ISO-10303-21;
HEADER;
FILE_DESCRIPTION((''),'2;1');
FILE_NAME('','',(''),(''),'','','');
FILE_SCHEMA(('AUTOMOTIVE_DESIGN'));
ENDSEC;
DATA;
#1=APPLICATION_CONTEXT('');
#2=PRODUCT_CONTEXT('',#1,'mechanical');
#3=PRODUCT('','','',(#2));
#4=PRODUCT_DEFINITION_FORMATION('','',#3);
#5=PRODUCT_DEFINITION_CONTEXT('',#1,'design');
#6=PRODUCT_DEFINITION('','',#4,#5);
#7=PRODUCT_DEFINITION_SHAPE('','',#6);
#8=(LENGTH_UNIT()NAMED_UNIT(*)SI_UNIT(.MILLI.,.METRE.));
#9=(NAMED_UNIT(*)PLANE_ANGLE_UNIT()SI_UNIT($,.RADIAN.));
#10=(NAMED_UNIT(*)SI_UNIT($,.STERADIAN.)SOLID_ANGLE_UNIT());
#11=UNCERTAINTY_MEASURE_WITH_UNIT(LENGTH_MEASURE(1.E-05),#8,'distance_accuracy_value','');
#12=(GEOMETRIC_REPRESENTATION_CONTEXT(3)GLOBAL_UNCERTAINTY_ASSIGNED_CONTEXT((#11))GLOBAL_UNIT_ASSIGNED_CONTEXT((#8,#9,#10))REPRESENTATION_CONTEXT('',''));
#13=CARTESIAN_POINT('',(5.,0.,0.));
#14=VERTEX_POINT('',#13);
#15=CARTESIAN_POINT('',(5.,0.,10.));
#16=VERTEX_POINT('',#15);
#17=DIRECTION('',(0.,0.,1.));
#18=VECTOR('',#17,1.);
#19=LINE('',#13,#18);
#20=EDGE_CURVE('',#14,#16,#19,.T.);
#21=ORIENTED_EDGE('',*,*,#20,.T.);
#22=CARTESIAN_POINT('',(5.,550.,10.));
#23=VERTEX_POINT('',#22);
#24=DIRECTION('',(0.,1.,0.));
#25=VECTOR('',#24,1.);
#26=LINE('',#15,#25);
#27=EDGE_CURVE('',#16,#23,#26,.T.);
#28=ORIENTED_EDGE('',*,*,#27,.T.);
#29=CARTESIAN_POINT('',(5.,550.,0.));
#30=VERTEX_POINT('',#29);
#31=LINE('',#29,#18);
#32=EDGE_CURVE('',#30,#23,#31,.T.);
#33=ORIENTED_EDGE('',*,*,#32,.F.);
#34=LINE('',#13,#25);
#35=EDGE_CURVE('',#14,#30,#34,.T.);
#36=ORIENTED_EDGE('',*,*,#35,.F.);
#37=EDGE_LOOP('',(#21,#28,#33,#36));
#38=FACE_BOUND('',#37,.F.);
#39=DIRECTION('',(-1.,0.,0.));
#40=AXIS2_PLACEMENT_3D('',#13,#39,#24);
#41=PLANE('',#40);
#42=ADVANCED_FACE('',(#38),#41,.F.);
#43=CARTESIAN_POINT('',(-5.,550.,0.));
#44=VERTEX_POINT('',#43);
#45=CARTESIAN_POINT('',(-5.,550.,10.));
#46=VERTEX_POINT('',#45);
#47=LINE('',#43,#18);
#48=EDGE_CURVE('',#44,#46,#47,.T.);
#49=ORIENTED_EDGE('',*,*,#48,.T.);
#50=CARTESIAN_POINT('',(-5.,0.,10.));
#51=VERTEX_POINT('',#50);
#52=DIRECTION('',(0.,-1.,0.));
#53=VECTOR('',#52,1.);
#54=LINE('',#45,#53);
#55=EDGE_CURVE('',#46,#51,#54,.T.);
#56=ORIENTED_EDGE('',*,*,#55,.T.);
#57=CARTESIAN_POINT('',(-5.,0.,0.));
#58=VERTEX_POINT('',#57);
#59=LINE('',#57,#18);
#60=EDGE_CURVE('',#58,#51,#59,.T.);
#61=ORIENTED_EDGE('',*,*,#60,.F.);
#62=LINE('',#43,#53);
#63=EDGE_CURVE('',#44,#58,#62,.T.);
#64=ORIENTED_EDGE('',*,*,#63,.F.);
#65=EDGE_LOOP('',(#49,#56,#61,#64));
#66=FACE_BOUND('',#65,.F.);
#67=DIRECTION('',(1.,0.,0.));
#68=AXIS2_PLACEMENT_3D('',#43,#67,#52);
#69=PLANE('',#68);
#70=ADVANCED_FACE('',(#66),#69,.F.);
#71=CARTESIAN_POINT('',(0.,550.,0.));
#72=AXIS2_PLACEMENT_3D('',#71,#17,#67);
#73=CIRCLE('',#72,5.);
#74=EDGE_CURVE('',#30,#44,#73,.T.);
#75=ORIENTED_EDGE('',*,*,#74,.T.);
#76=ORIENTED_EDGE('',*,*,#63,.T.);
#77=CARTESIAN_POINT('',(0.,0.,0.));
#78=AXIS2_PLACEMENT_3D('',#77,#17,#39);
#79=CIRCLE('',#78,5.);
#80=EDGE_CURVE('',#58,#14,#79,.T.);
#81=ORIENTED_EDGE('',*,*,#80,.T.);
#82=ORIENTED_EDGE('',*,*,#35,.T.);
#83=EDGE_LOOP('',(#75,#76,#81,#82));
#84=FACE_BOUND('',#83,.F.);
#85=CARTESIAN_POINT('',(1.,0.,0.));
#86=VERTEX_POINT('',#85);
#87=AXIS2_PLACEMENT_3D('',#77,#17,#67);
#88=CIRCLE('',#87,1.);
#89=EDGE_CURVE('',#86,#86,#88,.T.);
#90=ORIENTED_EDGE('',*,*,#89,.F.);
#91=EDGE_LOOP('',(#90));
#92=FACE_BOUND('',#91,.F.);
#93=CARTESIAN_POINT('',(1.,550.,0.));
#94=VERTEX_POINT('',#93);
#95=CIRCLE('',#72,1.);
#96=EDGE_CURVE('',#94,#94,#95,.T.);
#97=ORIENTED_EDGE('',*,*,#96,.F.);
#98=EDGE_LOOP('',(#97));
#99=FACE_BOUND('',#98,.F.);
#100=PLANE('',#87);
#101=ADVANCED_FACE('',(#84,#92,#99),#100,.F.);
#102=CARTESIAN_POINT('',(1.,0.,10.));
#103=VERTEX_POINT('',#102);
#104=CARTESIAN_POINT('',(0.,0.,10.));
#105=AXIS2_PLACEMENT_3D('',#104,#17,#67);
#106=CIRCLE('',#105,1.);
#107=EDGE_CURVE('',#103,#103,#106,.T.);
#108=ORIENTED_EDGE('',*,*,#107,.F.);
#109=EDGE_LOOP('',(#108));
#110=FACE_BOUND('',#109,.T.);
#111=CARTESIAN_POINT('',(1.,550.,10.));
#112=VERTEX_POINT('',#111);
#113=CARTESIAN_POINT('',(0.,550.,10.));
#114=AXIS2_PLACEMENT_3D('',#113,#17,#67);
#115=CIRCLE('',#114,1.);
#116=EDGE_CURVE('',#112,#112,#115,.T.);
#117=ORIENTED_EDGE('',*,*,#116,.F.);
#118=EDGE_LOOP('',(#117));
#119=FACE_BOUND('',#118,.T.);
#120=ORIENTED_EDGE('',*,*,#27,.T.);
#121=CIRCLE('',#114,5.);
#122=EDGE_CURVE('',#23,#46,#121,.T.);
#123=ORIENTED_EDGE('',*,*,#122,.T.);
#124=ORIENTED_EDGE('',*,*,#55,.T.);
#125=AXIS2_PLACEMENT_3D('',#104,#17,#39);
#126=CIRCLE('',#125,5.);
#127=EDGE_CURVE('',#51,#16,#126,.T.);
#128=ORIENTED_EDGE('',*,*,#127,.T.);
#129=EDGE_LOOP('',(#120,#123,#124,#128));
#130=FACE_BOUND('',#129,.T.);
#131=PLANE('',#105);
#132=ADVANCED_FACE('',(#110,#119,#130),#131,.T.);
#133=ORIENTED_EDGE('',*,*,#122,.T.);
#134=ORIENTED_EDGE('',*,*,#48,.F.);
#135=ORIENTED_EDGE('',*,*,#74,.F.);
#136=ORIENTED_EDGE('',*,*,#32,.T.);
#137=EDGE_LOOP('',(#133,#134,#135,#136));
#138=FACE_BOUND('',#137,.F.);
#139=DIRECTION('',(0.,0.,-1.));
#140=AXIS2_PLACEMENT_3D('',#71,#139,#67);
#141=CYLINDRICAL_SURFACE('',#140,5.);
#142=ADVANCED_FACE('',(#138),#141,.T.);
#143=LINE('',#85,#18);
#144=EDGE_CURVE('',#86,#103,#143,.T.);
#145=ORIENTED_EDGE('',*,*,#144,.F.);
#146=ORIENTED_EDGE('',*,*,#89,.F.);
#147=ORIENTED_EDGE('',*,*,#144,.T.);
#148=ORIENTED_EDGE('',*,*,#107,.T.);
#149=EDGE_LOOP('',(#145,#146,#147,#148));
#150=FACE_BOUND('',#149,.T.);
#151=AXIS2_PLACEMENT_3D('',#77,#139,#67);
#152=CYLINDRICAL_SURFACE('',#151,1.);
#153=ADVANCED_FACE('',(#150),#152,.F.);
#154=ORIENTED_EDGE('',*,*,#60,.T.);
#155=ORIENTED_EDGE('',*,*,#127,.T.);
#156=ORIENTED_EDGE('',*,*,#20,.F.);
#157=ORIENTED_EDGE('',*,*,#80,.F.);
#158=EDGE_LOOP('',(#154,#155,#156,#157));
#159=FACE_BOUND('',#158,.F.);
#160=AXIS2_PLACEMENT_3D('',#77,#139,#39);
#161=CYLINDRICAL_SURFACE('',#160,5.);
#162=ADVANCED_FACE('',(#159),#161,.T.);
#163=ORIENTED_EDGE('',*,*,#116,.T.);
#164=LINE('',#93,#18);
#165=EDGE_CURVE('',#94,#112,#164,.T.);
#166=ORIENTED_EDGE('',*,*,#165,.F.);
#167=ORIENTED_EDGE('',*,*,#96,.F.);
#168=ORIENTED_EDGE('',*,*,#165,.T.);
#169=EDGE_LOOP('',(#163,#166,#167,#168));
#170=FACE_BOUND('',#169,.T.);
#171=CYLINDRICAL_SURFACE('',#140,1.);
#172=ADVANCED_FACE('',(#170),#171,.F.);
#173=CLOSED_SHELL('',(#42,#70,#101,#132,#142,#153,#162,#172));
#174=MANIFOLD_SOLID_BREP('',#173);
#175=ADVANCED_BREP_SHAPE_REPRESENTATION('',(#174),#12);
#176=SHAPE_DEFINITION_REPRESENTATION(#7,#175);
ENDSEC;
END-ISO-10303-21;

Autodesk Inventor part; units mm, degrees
ref_plane "YZ Plane" through (0, 0, 0) normal (1, 0, 0) x (0, 1, 0)
ref_plane "XZ Plane" through (0, 0, 0) normal (0, 1, 0) x (-1, 0, 0)
ref_plane "XY Plane" through (0, 0, 0) normal (0, 0, 1) x (1, 0, 0)
sketch "Sketch1" plane through (0, 0, 0) normal (0, 0, 1) x (1, 0, 0)
  line L0 (0, 0) -> (0, 550) construction
  line L1 (5, 0) -> (5, 550)
  line L2 (-5, 550) -> (-5, 0)
  arc A0 (-5, 0) -> (5, 0) centre (0, 0) ccw
  arc A1 (5, 550) -> (-5, 550) centre (0, 550) ccw
  circle A2 centre (0, 0) radius 1
  circle A3 centre (0, 550) radius 1
  point P0 (0, 275)
  dimension "d0" = 550
  dimension "d1" = 10
  dimension "d2" = 2
  dimension "d3" = 2
extrude "Extrusion1" add sketch "Sketch1" along normal blind 10
properties material "Steel"
